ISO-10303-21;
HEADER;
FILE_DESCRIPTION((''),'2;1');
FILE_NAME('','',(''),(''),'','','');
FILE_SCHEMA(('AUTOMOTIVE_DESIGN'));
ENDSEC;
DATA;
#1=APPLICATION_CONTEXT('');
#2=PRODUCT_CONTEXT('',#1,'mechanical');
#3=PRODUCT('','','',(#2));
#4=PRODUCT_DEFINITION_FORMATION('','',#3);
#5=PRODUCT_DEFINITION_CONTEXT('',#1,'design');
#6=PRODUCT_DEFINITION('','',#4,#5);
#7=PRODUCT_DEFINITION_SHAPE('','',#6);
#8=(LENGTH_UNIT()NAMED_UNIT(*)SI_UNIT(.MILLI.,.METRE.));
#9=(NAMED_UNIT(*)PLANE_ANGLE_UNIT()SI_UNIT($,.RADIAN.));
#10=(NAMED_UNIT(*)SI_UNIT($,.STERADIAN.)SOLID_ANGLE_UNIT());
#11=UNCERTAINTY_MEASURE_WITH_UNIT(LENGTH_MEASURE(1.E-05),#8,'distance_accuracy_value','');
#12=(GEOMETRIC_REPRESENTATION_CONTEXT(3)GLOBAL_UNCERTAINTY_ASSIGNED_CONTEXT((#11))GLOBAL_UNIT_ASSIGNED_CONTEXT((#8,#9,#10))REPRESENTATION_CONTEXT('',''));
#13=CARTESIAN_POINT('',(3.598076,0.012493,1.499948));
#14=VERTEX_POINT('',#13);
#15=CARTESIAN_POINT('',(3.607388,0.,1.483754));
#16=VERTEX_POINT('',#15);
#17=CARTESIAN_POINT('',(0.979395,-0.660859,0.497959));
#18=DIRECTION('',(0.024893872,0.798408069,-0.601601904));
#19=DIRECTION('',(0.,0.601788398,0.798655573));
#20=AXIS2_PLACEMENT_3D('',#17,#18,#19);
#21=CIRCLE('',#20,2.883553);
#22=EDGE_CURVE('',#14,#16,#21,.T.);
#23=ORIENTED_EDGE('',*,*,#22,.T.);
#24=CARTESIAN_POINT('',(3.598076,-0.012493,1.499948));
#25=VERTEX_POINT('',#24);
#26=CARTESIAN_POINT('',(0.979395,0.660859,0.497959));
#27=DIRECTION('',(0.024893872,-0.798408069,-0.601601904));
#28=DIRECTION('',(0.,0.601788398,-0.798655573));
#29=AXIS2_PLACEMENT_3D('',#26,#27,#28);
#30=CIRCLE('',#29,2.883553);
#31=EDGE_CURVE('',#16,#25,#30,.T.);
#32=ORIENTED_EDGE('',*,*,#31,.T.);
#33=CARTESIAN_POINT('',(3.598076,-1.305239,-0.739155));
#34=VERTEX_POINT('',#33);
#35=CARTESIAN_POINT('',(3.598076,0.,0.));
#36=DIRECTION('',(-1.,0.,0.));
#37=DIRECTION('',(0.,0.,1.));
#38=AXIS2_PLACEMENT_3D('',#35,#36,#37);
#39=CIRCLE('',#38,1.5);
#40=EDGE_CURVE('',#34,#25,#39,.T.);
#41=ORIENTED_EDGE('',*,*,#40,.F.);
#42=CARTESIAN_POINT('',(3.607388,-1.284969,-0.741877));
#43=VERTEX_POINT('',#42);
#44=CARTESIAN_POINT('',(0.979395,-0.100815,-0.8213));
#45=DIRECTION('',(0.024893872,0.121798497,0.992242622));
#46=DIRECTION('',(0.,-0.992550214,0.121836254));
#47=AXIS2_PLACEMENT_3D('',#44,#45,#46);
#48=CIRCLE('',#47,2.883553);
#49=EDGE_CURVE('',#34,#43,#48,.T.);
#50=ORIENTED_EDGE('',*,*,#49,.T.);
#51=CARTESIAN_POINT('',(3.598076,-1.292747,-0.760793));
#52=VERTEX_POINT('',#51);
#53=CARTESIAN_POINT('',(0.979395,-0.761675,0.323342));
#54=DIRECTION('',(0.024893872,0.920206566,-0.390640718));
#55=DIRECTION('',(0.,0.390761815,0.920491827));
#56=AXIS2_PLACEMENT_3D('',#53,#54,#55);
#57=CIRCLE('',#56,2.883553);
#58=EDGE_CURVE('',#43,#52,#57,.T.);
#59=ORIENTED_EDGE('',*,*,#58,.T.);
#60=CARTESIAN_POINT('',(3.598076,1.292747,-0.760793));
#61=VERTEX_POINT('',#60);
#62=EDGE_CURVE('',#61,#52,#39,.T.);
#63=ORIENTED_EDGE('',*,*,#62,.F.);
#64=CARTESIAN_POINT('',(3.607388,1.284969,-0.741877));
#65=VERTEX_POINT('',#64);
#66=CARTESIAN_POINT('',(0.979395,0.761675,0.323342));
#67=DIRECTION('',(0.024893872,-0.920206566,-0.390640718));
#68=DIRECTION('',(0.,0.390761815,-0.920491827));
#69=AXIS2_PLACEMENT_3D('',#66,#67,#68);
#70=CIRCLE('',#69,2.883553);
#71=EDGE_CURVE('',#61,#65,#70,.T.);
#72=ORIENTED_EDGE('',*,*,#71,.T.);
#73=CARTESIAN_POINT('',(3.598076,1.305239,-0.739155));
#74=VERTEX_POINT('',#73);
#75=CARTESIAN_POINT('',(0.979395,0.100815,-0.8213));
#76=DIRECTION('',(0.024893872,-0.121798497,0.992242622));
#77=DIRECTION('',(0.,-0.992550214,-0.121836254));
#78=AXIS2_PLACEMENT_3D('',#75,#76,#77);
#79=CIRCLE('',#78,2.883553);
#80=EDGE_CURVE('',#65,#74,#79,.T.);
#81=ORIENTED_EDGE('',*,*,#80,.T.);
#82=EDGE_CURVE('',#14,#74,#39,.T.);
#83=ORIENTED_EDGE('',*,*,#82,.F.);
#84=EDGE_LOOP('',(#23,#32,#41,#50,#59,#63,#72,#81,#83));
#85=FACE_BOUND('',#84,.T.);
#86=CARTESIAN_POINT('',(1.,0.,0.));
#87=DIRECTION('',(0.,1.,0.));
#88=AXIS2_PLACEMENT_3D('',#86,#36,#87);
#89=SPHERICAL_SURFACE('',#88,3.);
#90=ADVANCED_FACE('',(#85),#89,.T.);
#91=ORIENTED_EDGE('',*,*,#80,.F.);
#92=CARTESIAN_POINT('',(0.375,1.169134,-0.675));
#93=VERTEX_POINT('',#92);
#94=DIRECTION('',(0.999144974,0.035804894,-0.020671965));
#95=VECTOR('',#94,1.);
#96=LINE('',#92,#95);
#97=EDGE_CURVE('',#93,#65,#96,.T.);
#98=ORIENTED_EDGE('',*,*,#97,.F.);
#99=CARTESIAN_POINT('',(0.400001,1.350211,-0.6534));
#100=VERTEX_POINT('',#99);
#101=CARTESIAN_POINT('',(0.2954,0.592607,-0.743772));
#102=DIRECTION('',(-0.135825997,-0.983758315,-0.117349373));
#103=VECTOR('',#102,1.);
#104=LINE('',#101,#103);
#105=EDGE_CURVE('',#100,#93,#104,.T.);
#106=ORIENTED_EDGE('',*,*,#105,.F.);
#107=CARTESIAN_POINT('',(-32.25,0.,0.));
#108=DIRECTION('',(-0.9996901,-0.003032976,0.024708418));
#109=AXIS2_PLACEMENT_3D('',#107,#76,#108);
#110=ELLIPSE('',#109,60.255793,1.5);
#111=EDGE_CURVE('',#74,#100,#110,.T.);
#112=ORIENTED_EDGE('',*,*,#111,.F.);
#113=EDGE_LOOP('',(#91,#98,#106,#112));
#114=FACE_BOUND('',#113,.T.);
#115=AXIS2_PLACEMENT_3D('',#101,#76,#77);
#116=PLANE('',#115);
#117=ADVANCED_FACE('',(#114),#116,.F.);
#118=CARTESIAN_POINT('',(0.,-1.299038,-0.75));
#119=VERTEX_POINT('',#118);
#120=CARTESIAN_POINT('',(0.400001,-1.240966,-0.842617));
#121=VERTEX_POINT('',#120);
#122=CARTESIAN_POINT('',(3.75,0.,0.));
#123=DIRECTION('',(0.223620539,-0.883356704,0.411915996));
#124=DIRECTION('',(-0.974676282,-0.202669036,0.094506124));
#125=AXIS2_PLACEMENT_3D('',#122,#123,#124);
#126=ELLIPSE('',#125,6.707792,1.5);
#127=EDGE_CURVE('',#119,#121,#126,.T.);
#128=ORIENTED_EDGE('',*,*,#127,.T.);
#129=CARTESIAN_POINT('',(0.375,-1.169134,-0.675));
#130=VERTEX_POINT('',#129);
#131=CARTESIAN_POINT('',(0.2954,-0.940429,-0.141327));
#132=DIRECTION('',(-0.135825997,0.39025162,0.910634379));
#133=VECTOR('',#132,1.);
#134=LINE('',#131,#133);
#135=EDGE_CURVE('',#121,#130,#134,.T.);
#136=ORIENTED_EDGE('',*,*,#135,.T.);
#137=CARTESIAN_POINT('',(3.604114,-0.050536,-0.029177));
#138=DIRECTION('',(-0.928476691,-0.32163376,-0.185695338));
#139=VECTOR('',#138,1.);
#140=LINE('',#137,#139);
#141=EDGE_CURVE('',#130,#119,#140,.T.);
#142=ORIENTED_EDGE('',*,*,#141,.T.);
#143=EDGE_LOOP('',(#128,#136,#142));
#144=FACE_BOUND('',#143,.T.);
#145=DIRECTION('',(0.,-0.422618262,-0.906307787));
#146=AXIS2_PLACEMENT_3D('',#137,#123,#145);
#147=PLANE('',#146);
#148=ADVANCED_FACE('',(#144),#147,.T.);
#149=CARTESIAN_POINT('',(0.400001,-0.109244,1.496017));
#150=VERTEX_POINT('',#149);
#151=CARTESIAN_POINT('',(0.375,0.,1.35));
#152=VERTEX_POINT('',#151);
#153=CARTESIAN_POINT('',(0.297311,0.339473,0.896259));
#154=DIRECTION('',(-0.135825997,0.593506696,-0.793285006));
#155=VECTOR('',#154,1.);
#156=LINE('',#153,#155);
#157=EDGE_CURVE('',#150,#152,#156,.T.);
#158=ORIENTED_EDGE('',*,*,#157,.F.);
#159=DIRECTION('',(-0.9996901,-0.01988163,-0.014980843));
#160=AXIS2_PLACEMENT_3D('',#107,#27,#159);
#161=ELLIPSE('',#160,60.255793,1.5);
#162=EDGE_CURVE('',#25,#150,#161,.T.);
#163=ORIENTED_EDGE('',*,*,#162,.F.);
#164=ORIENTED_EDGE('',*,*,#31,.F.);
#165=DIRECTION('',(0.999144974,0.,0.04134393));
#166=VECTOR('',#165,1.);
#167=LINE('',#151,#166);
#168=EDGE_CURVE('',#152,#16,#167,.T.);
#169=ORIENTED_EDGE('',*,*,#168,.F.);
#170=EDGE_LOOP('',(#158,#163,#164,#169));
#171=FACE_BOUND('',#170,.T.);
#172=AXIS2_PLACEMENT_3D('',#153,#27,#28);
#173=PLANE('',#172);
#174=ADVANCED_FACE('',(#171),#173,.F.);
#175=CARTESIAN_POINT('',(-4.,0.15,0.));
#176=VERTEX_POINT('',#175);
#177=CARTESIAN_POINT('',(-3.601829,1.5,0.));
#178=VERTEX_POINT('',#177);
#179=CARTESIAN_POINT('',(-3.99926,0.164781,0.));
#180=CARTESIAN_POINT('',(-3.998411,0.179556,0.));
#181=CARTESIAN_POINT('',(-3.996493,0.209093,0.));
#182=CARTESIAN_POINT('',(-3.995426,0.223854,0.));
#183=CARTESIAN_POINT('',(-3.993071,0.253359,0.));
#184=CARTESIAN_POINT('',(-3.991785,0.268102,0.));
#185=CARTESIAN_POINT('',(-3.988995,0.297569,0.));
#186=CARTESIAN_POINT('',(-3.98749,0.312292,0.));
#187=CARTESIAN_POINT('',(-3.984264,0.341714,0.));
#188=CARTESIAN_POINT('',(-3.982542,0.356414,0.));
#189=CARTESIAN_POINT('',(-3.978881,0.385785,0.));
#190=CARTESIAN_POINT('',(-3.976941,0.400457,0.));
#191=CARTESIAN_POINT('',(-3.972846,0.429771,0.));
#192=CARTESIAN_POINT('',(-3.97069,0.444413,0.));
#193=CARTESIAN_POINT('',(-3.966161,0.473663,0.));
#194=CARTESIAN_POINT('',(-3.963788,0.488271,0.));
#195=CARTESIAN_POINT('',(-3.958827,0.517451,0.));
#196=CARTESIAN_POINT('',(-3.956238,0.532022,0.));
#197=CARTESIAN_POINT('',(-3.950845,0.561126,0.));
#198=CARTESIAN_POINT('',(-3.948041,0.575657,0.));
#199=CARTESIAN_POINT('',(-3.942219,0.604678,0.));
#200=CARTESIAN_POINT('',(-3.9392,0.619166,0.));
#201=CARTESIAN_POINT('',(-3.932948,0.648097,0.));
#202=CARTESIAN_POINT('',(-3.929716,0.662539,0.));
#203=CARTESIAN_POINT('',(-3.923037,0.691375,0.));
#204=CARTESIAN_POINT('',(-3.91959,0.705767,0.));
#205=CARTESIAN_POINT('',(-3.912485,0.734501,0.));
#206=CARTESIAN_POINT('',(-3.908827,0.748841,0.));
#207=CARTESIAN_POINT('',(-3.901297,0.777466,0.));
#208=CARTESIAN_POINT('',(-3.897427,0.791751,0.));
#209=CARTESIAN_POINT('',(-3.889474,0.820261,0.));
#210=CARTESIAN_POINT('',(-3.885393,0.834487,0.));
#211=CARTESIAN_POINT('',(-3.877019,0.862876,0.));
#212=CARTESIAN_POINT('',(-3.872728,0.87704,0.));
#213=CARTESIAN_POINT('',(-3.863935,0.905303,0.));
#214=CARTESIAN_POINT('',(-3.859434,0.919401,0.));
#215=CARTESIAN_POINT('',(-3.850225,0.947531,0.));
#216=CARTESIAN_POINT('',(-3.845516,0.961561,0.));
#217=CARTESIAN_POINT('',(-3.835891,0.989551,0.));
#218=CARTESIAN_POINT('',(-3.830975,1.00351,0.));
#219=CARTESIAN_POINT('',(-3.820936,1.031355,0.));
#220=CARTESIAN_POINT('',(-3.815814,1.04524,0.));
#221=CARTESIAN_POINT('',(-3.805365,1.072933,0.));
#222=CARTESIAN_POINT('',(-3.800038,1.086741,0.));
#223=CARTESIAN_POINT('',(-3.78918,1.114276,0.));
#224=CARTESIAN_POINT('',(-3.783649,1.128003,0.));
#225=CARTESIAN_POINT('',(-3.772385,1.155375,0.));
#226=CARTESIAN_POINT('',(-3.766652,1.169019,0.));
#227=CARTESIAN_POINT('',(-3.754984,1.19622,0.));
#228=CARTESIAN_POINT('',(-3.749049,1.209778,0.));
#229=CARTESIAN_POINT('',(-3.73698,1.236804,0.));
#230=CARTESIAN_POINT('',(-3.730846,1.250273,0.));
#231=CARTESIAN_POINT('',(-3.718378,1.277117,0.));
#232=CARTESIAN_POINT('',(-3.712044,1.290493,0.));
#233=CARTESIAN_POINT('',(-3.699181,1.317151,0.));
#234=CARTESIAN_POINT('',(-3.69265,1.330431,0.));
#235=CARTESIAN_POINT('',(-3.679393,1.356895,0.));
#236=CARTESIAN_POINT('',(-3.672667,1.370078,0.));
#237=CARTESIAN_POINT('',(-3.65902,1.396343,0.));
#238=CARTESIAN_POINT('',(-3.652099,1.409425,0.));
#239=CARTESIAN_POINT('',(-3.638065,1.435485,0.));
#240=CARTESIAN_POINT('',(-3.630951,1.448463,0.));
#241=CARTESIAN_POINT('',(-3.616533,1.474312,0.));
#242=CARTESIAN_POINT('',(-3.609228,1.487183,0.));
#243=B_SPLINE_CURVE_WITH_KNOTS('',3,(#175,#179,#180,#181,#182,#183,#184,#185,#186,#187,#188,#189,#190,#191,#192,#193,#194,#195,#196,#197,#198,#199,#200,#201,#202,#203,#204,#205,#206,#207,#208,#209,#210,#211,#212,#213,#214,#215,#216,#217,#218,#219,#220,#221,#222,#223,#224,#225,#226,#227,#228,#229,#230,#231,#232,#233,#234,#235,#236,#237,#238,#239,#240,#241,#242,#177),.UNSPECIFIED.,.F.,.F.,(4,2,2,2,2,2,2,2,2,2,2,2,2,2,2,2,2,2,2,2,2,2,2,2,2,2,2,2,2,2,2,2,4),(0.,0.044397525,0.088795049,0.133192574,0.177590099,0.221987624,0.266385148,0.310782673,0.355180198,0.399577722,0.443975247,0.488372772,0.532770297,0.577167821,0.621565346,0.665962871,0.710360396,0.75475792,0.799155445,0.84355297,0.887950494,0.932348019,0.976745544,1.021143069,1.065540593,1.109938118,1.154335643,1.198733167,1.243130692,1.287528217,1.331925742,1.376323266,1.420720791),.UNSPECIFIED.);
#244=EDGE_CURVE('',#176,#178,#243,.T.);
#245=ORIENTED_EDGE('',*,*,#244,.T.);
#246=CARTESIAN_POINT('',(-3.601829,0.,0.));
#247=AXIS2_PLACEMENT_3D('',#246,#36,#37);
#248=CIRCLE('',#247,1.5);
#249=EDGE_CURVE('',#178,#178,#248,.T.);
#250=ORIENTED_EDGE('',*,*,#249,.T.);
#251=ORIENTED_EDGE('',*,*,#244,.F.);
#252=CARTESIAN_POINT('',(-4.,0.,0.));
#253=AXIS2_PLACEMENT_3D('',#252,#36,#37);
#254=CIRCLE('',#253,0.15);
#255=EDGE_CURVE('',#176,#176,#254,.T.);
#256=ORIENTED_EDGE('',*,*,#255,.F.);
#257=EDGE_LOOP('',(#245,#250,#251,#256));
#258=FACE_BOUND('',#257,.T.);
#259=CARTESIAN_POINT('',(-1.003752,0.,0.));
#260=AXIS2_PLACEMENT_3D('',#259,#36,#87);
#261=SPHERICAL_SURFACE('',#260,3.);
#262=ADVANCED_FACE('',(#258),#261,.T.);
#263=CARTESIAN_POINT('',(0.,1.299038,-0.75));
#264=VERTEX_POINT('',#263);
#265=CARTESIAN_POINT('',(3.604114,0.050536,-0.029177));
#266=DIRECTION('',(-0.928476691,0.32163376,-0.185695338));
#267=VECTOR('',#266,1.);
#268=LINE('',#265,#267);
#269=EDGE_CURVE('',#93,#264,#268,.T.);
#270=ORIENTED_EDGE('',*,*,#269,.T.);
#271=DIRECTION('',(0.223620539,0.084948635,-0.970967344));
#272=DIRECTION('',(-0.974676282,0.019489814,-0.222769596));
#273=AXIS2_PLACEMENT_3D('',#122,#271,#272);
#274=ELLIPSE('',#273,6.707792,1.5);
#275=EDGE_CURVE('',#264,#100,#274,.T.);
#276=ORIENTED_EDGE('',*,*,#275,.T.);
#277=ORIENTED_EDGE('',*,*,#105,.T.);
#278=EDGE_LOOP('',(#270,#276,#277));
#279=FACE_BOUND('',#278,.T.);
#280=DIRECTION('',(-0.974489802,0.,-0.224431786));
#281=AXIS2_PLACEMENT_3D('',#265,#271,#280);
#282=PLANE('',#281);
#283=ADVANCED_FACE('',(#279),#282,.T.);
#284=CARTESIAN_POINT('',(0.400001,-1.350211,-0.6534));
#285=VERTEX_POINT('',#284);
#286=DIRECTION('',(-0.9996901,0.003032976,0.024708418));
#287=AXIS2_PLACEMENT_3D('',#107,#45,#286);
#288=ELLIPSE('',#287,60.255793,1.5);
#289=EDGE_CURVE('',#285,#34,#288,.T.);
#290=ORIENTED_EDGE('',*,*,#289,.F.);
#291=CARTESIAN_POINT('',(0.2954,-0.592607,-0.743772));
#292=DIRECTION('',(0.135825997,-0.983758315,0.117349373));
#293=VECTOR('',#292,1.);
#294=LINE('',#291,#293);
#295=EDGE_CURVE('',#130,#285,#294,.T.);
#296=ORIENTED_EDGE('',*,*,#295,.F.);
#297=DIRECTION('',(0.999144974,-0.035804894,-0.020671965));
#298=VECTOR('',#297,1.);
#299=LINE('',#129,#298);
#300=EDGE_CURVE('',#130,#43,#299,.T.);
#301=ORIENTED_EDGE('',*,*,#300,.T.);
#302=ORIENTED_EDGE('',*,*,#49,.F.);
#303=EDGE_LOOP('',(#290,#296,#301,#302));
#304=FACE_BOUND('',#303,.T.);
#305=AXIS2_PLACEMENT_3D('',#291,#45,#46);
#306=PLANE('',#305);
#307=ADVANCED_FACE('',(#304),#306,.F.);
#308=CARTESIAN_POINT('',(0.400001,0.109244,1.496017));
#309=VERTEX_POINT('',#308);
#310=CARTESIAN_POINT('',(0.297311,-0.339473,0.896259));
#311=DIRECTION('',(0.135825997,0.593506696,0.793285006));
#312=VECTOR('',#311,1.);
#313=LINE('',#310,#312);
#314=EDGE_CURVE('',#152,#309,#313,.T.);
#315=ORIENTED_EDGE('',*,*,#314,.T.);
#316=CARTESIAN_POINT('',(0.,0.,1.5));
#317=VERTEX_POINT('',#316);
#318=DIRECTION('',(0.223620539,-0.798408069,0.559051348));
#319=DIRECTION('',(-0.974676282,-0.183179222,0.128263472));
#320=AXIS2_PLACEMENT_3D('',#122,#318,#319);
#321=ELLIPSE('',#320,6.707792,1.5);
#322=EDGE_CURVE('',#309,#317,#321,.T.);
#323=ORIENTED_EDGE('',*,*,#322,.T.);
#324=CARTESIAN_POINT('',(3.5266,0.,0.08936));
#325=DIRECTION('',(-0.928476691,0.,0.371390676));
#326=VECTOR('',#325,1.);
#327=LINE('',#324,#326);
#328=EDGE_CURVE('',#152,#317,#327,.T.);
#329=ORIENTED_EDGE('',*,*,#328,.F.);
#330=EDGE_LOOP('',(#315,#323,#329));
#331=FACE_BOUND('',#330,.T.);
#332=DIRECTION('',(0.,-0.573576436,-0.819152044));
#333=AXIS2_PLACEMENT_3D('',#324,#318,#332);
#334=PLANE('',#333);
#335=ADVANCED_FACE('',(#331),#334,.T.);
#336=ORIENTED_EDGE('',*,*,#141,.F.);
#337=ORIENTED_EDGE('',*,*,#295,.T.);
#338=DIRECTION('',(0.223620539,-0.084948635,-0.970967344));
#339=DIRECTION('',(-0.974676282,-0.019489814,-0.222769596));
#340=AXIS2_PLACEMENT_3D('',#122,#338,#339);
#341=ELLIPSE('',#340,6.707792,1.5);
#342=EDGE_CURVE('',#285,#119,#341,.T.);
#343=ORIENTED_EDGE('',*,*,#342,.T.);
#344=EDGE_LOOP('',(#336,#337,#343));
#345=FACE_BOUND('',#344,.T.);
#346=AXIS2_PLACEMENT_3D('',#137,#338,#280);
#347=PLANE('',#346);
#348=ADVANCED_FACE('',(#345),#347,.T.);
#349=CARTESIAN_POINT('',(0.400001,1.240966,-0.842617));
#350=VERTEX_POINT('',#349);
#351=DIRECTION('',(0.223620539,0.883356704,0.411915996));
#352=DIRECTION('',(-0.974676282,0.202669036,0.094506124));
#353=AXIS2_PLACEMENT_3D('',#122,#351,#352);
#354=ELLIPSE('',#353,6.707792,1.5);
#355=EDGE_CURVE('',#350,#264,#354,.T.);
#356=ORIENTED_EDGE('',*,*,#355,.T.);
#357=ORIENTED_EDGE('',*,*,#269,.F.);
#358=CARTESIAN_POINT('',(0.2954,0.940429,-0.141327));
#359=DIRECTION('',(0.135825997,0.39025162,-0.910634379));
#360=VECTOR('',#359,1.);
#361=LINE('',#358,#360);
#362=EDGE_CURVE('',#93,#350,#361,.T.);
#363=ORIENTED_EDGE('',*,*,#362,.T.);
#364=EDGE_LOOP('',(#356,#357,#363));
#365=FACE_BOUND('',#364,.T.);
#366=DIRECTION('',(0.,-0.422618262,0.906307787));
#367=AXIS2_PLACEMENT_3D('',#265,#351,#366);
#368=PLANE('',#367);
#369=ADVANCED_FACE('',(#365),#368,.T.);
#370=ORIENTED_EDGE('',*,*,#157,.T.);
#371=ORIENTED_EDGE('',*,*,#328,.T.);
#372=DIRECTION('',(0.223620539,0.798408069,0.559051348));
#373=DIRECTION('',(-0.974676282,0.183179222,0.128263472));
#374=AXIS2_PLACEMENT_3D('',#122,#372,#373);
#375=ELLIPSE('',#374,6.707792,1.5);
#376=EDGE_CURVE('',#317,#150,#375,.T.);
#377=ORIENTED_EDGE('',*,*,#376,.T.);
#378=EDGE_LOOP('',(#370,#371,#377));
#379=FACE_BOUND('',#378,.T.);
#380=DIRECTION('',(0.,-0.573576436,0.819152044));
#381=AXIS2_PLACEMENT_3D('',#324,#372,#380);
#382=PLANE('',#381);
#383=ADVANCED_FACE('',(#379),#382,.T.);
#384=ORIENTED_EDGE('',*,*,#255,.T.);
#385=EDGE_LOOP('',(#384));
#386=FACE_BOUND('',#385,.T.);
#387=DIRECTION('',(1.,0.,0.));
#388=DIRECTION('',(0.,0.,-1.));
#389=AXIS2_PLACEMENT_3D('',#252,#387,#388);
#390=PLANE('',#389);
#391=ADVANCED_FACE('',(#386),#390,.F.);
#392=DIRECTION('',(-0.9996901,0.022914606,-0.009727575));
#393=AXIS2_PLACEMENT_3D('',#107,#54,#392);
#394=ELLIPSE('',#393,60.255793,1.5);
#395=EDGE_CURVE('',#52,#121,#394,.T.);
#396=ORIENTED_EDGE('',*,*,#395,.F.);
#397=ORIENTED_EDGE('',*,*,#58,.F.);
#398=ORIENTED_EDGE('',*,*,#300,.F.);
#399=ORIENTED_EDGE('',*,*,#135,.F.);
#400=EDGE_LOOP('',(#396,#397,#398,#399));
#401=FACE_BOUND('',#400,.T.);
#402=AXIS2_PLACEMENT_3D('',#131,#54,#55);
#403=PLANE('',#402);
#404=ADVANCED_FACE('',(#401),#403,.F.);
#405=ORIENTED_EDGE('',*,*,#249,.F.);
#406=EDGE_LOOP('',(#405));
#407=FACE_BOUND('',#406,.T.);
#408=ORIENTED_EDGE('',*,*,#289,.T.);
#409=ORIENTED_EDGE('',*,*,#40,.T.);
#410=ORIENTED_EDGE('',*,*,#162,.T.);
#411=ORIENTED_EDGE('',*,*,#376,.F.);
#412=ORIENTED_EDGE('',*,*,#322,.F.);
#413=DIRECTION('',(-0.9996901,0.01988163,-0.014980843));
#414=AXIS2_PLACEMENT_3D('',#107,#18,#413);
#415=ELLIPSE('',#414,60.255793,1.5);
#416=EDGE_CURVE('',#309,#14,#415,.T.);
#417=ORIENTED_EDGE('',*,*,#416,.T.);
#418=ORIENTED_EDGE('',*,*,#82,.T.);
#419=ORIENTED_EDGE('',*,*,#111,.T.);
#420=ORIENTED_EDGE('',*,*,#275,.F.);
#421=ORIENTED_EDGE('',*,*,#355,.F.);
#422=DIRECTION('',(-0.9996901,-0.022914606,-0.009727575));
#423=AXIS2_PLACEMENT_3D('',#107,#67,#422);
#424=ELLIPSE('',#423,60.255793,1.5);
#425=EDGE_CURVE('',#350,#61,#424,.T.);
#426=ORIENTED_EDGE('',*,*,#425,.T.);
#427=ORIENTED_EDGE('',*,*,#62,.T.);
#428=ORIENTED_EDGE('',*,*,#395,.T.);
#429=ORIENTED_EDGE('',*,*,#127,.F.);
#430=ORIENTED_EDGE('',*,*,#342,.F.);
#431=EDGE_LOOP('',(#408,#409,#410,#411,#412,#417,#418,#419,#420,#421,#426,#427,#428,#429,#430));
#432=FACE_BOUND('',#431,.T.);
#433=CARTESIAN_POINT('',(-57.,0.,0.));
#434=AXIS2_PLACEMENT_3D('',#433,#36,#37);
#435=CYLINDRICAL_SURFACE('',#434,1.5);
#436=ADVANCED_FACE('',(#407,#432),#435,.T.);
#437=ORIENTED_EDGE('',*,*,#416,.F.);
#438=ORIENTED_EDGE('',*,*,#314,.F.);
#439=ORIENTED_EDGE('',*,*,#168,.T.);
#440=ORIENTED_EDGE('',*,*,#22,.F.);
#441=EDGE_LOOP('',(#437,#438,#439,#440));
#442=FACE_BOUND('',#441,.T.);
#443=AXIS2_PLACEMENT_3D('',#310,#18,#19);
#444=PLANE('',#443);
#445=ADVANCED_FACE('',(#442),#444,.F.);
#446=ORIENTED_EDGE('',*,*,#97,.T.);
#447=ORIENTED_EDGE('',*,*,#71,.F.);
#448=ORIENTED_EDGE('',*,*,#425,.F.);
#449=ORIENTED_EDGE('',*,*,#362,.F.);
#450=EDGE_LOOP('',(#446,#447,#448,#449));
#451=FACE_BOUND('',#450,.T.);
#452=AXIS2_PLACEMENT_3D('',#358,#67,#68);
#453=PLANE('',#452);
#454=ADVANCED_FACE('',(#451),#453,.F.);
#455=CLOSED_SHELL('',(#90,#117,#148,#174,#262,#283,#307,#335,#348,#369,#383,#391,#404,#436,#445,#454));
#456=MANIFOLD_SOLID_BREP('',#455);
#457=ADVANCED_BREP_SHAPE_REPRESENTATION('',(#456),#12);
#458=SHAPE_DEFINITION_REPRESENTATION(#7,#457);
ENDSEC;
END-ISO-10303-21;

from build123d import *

# Parameters (mm, degrees)
CIRPATTERN1_COUNT = 3


with BuildPart() as part:
    # Sketch1 → Base-Revolve (revolve)
    with BuildSketch(Plane.XY):
        with BuildLine():
            Line((-4, 0), (-4, 0.15))
            ThreePointArc((-4, 0.15), (-3.881206061, 0.848681403), (-3.601828558, 1.5))
            Line((-3.601828558, 1.5), (3.598076211, 1.5))
            ThreePointArc((3.598076211, 1.5), (3.897777479, 0.776457135), (4, 0))
            Line((4, 0), (-4, 0))
        make_face()
    revolve(axis=Axis((-57, 0, 0), (1, 0, 0)))

    # Cut-Sweep1: sweep along a path in Sketch3
    with BuildLine(Plane(origin=(0, 0, 0), x_dir=(1, 0, 0), z_dir=(0, 1, 0))) as cut_sweep1_path:
        Line((0, -1.5), (0.375, -1.35))
        Line((0.375, -1.35), (4, -1.5))
    # Sketch2 → Cut-Sweep1 (sweep, cut)
    with BuildSketch(Plane(origin=(0, 0, 0), x_dir=(0, 0, -1), z_dir=(1, 0, 0))):
        Polygon((-1.5, 0), (-3.378358908, 1.315241067), (-3.378358908, -1.315241067), align=None)
    cut_sweep1 = sweep(path=cut_sweep1_path.line, transition=Transition.RIGHT, mode=Mode.SUBTRACT)

    # CirPattern1: Cut-Sweep1 ×3 about axis
    cirpattern1_axis = Axis((0, 0, 0), (1, 0, 0))
    for i in range(1, CIRPATTERN1_COUNT):
        add(cut_sweep1.rotate(cirpattern1_axis, i * 360 / CIRPATTERN1_COUNT), mode=Mode.SUBTRACT)


solid = part.part
